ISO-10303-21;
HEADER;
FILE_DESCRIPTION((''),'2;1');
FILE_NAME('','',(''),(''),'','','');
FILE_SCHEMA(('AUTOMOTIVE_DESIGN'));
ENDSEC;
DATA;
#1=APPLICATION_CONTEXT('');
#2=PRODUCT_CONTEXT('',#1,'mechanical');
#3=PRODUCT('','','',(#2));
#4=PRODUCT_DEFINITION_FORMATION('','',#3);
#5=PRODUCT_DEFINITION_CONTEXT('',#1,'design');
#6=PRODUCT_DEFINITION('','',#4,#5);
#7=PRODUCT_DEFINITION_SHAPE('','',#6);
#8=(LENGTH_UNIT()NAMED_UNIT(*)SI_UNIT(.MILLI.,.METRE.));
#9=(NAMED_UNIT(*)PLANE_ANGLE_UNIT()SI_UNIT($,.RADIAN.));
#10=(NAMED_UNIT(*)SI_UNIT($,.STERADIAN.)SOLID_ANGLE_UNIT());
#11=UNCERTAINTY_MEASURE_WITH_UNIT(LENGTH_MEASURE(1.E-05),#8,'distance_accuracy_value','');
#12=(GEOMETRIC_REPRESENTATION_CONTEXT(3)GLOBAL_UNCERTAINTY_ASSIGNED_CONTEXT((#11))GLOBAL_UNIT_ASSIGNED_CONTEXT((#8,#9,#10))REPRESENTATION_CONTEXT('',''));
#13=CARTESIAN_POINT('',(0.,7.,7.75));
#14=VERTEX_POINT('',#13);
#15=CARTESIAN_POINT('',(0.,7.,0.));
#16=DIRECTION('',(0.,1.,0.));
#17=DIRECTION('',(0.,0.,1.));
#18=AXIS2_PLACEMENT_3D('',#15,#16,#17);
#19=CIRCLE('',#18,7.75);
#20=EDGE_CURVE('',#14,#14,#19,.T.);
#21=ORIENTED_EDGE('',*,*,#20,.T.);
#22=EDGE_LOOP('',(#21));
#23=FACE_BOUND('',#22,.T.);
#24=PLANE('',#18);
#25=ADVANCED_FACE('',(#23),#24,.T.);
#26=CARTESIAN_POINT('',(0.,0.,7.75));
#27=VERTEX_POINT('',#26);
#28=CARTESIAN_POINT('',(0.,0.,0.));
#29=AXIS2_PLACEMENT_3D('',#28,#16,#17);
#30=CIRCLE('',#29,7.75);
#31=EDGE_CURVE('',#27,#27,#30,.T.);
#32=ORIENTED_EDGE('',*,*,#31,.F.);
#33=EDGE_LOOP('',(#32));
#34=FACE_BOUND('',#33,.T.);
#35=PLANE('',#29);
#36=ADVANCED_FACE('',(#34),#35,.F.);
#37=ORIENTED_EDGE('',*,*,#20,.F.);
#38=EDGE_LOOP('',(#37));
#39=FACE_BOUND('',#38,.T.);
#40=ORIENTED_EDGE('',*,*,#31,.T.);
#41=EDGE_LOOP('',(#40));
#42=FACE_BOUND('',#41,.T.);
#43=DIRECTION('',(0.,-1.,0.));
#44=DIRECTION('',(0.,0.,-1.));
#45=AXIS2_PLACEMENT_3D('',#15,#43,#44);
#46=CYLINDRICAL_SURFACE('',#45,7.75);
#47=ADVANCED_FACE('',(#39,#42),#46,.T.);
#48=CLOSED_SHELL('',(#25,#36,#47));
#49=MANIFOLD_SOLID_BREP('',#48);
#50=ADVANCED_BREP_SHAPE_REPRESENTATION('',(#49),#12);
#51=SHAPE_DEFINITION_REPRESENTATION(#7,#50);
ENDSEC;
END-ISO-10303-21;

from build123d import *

# Parameters (mm, degrees)
ESBO_O1_R                = 7.75
RESSALTO_EXTRUS_O1_DEPTH = 7


with BuildPart() as part:
    # Esboço1 → Ressalto-extrusão1 (new body)
    with BuildSketch(Plane(origin=(0, 0, 0), x_dir=(1, 0, 0), z_dir=(0, 1, 0))):
        Circle(ESBO_O1_R)
    extrude(amount=RESSALTO_EXTRUS_O1_DEPTH)


solid = part.part
